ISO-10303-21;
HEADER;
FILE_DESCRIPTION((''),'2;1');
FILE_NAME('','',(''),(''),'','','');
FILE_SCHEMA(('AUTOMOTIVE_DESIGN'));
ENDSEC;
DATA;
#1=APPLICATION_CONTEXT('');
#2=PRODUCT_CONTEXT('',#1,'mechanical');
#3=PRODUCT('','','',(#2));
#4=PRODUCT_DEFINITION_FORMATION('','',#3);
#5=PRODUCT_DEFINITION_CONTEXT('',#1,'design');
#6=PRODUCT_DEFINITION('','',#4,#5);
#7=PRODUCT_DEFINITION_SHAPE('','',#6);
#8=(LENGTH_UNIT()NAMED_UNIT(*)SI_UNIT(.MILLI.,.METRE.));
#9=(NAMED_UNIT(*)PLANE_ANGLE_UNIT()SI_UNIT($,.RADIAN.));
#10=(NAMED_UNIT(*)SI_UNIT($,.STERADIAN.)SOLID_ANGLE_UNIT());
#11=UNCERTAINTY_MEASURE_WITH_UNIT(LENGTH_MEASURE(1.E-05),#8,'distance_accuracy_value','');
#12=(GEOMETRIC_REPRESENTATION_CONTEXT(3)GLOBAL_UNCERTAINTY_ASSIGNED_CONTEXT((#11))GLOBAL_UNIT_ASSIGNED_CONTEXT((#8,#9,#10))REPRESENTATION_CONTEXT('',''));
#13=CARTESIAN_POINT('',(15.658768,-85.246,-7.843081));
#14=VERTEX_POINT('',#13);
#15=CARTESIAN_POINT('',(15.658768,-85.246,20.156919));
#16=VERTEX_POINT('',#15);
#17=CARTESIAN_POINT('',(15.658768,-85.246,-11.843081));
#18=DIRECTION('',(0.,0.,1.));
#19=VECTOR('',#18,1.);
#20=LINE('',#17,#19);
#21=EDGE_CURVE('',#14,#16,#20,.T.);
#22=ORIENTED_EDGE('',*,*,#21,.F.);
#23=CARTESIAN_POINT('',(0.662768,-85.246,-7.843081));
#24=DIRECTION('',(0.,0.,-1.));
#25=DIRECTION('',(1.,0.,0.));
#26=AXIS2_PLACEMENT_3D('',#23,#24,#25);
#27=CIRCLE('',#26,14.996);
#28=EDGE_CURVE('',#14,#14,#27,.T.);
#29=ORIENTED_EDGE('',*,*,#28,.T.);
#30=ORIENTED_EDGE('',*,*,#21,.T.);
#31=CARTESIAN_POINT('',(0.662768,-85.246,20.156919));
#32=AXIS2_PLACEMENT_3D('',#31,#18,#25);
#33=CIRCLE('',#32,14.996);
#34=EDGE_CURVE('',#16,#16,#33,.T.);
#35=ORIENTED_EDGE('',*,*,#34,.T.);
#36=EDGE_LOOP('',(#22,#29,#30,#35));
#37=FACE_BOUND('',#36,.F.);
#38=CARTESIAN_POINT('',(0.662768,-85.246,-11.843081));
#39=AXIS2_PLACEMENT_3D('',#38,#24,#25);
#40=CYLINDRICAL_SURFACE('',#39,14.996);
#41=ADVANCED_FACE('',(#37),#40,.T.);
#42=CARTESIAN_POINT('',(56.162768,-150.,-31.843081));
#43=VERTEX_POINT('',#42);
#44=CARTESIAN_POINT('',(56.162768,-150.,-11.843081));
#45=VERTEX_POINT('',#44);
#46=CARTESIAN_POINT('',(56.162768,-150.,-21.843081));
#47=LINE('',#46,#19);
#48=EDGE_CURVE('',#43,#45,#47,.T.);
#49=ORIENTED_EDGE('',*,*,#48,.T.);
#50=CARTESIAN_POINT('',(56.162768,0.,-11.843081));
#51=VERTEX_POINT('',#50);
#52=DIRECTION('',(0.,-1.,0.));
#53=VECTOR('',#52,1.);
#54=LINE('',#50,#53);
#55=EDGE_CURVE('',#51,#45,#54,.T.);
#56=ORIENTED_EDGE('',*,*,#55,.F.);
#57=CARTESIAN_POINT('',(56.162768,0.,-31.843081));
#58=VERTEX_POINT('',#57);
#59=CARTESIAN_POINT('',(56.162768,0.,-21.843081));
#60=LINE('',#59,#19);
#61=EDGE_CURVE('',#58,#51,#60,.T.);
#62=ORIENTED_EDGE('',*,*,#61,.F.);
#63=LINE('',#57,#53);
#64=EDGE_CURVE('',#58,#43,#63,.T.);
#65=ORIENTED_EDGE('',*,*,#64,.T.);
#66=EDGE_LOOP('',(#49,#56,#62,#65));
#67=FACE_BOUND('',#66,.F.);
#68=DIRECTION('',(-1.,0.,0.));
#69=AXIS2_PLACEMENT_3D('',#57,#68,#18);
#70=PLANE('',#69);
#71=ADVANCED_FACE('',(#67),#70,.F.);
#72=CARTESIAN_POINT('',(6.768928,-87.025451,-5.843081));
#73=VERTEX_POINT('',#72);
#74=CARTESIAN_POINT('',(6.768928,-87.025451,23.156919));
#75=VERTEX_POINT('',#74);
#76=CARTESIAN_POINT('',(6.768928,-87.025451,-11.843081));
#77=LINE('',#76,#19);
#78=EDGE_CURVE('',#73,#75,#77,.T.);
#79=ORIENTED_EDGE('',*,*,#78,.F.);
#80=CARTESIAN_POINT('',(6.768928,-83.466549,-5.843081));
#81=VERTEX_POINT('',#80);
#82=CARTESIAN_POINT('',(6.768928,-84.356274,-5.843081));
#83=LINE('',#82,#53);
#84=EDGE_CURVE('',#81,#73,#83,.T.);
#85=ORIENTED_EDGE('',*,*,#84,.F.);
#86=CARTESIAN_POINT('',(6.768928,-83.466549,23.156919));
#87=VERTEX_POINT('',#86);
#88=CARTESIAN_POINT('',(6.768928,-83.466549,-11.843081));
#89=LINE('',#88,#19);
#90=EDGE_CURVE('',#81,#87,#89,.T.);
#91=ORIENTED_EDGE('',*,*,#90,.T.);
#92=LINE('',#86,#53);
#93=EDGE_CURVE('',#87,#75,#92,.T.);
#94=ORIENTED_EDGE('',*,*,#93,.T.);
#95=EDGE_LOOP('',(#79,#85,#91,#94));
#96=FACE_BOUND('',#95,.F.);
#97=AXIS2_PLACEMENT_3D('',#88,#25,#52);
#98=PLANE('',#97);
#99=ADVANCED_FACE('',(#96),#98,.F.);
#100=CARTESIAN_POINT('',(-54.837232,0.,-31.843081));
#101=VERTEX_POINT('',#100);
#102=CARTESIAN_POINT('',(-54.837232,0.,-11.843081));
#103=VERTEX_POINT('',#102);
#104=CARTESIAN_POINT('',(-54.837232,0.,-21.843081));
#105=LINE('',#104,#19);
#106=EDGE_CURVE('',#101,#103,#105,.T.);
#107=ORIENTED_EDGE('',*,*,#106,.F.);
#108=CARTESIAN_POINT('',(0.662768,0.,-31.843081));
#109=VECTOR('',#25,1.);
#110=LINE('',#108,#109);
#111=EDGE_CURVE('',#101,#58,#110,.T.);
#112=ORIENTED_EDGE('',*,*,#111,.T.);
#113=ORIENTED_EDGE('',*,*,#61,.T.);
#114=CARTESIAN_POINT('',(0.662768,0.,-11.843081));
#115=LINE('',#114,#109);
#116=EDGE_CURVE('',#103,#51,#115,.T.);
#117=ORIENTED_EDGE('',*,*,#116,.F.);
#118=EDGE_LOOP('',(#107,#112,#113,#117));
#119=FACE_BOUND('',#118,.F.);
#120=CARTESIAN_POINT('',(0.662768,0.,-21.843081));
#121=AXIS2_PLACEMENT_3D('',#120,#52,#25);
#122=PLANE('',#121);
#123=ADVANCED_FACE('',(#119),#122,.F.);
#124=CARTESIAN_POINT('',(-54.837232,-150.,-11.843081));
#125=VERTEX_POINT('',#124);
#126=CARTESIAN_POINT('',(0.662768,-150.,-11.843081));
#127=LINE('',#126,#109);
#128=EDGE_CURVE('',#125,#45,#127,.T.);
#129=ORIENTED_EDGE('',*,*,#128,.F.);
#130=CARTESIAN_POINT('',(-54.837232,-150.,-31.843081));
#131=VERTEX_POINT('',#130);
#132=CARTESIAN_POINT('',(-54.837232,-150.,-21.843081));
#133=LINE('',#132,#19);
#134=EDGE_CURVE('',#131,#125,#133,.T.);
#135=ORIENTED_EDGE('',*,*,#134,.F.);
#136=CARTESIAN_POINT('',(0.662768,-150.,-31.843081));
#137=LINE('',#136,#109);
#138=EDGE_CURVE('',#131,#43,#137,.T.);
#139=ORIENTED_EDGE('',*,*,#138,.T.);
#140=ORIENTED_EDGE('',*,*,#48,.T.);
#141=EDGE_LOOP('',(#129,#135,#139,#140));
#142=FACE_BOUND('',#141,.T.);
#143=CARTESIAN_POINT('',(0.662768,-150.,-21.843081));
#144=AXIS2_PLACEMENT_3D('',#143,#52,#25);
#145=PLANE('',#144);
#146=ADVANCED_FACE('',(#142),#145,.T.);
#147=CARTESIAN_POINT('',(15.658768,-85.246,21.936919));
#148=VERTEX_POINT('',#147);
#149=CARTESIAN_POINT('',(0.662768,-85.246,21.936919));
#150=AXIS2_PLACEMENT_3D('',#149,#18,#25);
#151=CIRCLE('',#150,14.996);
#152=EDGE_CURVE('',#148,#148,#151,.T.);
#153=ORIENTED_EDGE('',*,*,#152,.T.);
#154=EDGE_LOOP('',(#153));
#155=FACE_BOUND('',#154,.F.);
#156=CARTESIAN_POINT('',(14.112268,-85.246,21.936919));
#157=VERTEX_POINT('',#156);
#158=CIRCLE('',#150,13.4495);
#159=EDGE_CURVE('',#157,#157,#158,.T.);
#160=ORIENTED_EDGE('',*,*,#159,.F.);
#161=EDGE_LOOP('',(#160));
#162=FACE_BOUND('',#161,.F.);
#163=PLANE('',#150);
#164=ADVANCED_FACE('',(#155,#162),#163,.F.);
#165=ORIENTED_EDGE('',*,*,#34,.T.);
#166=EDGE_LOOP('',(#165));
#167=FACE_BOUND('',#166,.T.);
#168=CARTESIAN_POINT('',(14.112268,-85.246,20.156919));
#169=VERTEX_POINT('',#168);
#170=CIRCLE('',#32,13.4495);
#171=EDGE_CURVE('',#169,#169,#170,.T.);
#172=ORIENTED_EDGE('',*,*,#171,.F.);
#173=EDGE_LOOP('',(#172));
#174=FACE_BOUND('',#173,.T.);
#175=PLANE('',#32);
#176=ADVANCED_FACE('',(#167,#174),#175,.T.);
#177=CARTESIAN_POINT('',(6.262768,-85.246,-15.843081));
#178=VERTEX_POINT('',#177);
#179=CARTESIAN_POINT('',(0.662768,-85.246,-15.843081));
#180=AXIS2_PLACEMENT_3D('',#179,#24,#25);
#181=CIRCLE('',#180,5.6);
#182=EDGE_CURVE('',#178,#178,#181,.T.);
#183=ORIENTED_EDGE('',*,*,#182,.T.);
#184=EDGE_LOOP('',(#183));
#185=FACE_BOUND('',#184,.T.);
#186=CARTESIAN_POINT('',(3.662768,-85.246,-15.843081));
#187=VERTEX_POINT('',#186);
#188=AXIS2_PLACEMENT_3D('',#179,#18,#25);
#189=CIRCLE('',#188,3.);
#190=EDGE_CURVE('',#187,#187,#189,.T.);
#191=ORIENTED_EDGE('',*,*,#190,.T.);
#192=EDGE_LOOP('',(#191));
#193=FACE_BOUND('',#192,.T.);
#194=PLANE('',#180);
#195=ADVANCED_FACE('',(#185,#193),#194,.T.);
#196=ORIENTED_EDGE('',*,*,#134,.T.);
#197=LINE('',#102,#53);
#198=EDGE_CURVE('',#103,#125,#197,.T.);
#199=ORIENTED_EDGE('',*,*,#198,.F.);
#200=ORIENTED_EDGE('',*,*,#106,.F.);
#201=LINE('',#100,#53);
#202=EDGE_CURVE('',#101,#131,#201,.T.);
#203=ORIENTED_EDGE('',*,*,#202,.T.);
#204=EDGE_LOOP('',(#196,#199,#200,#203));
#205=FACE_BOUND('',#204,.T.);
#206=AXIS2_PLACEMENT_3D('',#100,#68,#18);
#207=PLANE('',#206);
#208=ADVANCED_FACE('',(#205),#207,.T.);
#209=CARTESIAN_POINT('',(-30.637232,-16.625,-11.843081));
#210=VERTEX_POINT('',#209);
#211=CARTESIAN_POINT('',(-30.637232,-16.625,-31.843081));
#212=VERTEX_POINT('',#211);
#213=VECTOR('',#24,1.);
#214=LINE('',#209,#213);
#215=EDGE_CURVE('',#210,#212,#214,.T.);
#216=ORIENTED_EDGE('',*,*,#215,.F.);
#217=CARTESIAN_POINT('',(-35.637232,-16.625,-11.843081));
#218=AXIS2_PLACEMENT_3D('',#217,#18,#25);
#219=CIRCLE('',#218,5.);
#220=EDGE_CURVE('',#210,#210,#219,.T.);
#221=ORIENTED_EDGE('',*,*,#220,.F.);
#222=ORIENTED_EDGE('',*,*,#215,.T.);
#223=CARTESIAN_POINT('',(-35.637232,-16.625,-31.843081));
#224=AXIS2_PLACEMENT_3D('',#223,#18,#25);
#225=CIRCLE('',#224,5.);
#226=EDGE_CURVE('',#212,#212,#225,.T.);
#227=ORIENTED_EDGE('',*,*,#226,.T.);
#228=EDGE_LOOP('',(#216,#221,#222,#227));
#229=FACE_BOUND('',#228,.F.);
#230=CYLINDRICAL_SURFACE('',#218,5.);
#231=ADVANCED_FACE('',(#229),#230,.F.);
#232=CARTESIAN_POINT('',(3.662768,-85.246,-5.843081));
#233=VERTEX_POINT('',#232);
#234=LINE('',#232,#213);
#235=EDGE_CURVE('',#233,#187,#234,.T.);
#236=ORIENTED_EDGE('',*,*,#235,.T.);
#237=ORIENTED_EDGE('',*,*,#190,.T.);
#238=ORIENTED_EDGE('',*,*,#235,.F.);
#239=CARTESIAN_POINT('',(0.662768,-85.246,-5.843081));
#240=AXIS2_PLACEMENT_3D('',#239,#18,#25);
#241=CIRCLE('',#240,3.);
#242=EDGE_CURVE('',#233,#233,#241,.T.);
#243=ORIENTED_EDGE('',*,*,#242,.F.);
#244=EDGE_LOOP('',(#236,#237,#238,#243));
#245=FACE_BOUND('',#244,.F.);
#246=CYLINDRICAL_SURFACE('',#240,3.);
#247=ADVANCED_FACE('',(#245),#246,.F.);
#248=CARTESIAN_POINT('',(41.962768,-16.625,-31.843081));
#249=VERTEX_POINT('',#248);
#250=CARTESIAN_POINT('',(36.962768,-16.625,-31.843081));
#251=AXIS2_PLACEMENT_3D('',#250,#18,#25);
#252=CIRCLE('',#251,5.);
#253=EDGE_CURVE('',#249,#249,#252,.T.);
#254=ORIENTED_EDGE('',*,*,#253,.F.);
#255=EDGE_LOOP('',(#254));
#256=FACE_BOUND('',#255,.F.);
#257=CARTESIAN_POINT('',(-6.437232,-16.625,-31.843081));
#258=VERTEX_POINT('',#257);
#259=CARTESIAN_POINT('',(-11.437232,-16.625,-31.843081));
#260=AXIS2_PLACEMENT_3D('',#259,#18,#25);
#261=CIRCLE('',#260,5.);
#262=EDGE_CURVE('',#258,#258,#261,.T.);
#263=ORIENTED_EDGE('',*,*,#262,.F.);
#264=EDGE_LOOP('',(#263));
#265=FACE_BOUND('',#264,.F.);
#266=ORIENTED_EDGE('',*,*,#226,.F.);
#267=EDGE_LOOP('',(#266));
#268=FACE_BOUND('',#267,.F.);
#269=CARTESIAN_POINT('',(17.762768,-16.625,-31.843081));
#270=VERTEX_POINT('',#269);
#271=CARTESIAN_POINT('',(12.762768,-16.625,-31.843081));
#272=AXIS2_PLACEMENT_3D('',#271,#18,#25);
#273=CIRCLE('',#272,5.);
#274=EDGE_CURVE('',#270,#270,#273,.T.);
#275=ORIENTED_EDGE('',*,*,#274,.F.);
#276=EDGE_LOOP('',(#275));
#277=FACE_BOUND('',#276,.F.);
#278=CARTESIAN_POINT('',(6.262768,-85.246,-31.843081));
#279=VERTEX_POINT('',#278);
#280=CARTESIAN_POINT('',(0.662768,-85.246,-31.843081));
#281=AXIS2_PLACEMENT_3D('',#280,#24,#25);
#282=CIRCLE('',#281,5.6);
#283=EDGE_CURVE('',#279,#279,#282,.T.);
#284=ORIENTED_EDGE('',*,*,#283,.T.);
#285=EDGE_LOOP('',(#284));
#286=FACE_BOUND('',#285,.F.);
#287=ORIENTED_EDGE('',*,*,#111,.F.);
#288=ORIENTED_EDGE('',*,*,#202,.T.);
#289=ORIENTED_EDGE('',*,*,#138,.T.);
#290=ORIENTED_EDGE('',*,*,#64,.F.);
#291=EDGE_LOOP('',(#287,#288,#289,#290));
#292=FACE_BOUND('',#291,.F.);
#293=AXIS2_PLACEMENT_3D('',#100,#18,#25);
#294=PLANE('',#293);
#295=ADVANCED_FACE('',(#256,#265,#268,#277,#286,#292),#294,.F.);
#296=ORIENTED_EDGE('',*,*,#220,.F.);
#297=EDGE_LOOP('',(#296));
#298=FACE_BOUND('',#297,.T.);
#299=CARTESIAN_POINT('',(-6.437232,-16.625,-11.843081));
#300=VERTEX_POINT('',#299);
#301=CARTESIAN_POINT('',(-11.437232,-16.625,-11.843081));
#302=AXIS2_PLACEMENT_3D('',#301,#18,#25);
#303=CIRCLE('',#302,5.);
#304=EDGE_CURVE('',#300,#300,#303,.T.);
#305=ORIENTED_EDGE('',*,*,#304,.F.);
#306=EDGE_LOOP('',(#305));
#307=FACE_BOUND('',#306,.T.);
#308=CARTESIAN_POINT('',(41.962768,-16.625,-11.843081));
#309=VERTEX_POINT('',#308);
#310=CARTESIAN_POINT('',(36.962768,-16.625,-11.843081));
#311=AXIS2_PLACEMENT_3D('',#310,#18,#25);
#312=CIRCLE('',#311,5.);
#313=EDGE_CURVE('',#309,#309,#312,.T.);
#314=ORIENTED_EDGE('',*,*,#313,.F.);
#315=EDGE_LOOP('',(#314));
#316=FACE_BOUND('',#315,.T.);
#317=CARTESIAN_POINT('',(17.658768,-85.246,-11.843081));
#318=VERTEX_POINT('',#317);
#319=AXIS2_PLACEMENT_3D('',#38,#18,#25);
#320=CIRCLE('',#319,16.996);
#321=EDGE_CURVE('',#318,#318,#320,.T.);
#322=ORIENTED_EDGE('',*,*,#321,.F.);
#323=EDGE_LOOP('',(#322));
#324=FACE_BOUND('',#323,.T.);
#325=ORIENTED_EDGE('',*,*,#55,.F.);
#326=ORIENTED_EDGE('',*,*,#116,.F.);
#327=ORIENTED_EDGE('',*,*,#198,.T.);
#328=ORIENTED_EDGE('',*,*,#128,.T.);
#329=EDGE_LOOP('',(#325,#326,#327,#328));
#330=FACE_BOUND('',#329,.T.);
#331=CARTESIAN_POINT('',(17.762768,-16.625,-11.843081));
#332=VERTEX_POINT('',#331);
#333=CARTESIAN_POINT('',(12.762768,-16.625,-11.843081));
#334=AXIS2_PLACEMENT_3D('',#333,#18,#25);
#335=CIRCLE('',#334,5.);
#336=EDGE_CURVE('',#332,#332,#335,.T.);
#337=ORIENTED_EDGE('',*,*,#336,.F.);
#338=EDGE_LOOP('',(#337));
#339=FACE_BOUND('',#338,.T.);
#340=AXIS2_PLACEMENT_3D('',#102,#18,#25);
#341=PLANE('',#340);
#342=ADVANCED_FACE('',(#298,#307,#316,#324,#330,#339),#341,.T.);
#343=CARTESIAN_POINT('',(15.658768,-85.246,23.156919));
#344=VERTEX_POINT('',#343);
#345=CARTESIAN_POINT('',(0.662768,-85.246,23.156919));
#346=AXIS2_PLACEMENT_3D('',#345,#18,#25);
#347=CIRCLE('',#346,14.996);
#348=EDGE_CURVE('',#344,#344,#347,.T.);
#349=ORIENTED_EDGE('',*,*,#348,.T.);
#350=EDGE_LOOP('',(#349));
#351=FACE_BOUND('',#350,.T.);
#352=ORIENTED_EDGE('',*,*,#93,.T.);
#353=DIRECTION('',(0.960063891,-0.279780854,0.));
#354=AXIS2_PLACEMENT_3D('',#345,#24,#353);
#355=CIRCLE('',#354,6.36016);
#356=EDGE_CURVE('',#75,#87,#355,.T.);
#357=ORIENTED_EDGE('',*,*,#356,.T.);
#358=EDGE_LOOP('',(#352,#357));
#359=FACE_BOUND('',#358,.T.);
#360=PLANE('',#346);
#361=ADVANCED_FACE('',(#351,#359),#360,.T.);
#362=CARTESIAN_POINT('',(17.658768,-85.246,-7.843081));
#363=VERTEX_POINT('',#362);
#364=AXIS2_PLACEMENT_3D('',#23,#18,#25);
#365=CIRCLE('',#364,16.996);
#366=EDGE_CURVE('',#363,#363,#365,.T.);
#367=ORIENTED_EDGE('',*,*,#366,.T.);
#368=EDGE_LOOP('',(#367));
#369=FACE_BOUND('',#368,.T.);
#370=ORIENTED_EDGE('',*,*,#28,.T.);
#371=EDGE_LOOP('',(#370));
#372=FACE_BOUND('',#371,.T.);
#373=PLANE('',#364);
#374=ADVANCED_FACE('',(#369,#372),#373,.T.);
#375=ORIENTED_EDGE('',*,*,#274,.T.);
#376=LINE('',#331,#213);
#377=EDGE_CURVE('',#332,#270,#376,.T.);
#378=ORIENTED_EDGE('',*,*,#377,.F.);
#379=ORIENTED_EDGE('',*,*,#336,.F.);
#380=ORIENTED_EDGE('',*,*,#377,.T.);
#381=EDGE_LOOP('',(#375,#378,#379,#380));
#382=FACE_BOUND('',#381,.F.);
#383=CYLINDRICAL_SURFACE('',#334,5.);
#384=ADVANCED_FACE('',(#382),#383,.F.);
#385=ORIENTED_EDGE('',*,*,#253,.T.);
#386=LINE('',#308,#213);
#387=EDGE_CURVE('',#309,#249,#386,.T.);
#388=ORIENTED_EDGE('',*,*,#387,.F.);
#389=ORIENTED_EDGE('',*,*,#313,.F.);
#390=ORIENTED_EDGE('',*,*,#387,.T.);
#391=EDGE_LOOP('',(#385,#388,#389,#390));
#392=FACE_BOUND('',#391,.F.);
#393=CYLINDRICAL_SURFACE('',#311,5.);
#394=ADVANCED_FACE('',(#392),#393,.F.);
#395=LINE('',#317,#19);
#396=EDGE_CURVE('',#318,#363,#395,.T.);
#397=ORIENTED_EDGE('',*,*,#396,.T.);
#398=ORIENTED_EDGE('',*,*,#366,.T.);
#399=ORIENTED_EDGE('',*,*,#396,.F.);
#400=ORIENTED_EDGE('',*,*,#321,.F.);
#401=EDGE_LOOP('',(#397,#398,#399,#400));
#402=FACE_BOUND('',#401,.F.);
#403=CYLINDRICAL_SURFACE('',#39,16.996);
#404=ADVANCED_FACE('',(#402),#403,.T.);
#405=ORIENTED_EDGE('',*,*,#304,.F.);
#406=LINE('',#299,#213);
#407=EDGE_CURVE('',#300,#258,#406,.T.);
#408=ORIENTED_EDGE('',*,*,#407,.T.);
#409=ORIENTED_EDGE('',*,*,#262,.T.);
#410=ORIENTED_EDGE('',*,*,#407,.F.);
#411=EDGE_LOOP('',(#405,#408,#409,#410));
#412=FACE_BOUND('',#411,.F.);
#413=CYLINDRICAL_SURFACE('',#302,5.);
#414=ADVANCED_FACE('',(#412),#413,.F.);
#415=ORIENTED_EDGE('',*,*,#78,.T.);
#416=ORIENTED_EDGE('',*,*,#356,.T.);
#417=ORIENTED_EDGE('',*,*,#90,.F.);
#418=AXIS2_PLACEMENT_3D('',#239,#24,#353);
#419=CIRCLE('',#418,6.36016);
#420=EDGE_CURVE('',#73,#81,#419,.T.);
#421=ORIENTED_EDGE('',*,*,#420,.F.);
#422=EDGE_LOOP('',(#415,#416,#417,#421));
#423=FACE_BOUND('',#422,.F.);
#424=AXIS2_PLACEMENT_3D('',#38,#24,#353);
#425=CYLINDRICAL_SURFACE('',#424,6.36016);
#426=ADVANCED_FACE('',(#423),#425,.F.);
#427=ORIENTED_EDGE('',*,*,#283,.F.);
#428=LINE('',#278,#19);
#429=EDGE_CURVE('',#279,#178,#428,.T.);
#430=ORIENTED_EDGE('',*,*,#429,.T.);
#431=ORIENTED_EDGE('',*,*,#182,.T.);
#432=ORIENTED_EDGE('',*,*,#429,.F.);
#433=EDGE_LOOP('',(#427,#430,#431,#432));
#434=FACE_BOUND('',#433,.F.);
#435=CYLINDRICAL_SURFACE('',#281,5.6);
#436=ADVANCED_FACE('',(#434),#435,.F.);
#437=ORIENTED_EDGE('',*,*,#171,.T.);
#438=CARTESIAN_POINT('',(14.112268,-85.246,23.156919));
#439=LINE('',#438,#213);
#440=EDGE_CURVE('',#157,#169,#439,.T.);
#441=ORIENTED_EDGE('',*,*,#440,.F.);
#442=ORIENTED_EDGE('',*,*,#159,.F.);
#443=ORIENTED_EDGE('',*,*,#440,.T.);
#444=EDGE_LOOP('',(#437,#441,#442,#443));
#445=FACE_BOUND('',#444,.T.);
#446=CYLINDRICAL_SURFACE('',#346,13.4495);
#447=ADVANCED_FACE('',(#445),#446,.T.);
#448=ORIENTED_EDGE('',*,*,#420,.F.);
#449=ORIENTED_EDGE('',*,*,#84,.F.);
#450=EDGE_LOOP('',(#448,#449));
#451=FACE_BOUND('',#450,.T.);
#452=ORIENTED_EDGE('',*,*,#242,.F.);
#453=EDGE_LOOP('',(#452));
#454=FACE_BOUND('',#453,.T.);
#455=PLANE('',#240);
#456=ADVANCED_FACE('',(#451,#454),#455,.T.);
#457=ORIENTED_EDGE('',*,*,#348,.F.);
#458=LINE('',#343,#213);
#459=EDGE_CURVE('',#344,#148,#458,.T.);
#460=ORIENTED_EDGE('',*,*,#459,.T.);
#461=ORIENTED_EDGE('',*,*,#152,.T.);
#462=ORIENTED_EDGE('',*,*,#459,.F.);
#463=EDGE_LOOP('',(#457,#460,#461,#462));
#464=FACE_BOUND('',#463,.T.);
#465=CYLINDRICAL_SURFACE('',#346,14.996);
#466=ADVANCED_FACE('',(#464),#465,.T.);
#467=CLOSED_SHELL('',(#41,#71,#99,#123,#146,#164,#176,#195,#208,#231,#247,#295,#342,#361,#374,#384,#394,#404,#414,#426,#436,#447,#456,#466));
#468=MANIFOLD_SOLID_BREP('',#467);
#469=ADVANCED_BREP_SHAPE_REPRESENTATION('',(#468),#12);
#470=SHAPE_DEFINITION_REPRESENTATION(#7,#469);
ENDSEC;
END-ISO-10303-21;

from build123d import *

# Parameters (mm, degrees)
F0_W      = 111
F0_H      = 20
F1_DEPTH  = 150
F2_R      = 14.996
F3_DEPTH  = 35
F4_R      = 14.996
F4_R_2    = 13.4495
F5_DEPTH  = 3
F6_R      = 14.996
F6_R_2    = 13.4495
F7_DEPTH  = 1.22
F8_R      = 16.996
F9_DEPTH  = 4
F10_R     = 8.540661
F11_DEPTH = 2
F12_R     = 5
F13_DEPTH = 20.001
F14_R     = 3
F15_DEPTH = 26.001
F16_R     = 5.6
F17_DEPTH = 16


with BuildPart() as f1:
    # F0 (on Front) → F1 (new body)
    with BuildSketch(Plane.XZ):
        with Locations((0.662768, -21.843081)):
            Rectangle(F0_W, F0_H)
    extrude(amount=F1_DEPTH)

    # F2 (on face) → F3 (join)
    with BuildSketch(Plane.XY.offset(-11.843081)):
        with Locations((0.662768, -85.246)):
            Circle(F2_R)
        with BuildLine():
            ThreePointArc((6.768928, -87.025451), (-5.697392, -85.246), (6.768928, -83.466549))
            Line((6.768928, -83.466549), (6.768928, -87.025451))
        make_face(mode=Mode.SUBTRACT)
    extrude(amount=F3_DEPTH)

    # F4 (on face) → F5 (cut)
    with BuildSketch(Plane.XY.offset(23.156919)):
        with Locations((0.662768, -85.246)):
            Circle(F4_R)
        with Locations((0.662768, -85.246)):
            Circle(F4_R_2, mode=Mode.SUBTRACT)
    extrude(amount=-F5_DEPTH, mode=Mode.SUBTRACT)

    # F6 (on face) → F7 (join)
    with BuildSketch(Plane.XY.offset(23.156919)):
        with Locations((0.662768, -85.246)):
            Circle(F6_R)
        with Locations((0.662768, -85.246)):
            Circle(F6_R_2, mode=Mode.SUBTRACT)
    extrude(amount=-F7_DEPTH)

    # F8 (on face) → F9 (join)
    with BuildSketch(Plane.XY.offset(-11.843081)):
        with Locations((0.662768, -85.246)):
            Circle(F8_R)
    extrude(amount=F9_DEPTH)

    # F10 (on face) → F11 (join)
    with BuildSketch(Plane.XY.offset(-7.843081)):
        with Locations((0.662768, -85.246)):
            Circle(F10_R)
    extrude(amount=F11_DEPTH)

    # F12 (on face) → F13 (cut, through all)
    with BuildSketch(Plane.XY.offset(-11.843081)):
        with Locations((36.962768, -16.625)):
            Circle(F12_R)
        with Locations((12.762768, -16.625)):
            Circle(F12_R)
        with Locations((-11.437232, -16.625)):
            Circle(F12_R)
        with Locations((-35.637232, -16.625)):
            Circle(F12_R)
    extrude(amount=-F13_DEPTH, mode=Mode.SUBTRACT)

    # F14 (on face) → F15 (cut, through all)
    with BuildSketch(Plane.XY.offset(-5.843081)):
        with Locations((0.662768, -85.246)):
            Circle(F14_R)
    extrude(amount=-F15_DEPTH, mode=Mode.SUBTRACT)

    # F16 (on face) → F17 (cut)
    with BuildSketch(Plane(origin=(0, 0, -31.843081), x_dir=(1, 0, 0), z_dir=(0, 0, -1))):
        with Locations((0.662768, 85.246)):
            Circle(F16_R)
    extrude(amount=-F17_DEPTH, mode=Mode.SUBTRACT)


solid = f1.part
